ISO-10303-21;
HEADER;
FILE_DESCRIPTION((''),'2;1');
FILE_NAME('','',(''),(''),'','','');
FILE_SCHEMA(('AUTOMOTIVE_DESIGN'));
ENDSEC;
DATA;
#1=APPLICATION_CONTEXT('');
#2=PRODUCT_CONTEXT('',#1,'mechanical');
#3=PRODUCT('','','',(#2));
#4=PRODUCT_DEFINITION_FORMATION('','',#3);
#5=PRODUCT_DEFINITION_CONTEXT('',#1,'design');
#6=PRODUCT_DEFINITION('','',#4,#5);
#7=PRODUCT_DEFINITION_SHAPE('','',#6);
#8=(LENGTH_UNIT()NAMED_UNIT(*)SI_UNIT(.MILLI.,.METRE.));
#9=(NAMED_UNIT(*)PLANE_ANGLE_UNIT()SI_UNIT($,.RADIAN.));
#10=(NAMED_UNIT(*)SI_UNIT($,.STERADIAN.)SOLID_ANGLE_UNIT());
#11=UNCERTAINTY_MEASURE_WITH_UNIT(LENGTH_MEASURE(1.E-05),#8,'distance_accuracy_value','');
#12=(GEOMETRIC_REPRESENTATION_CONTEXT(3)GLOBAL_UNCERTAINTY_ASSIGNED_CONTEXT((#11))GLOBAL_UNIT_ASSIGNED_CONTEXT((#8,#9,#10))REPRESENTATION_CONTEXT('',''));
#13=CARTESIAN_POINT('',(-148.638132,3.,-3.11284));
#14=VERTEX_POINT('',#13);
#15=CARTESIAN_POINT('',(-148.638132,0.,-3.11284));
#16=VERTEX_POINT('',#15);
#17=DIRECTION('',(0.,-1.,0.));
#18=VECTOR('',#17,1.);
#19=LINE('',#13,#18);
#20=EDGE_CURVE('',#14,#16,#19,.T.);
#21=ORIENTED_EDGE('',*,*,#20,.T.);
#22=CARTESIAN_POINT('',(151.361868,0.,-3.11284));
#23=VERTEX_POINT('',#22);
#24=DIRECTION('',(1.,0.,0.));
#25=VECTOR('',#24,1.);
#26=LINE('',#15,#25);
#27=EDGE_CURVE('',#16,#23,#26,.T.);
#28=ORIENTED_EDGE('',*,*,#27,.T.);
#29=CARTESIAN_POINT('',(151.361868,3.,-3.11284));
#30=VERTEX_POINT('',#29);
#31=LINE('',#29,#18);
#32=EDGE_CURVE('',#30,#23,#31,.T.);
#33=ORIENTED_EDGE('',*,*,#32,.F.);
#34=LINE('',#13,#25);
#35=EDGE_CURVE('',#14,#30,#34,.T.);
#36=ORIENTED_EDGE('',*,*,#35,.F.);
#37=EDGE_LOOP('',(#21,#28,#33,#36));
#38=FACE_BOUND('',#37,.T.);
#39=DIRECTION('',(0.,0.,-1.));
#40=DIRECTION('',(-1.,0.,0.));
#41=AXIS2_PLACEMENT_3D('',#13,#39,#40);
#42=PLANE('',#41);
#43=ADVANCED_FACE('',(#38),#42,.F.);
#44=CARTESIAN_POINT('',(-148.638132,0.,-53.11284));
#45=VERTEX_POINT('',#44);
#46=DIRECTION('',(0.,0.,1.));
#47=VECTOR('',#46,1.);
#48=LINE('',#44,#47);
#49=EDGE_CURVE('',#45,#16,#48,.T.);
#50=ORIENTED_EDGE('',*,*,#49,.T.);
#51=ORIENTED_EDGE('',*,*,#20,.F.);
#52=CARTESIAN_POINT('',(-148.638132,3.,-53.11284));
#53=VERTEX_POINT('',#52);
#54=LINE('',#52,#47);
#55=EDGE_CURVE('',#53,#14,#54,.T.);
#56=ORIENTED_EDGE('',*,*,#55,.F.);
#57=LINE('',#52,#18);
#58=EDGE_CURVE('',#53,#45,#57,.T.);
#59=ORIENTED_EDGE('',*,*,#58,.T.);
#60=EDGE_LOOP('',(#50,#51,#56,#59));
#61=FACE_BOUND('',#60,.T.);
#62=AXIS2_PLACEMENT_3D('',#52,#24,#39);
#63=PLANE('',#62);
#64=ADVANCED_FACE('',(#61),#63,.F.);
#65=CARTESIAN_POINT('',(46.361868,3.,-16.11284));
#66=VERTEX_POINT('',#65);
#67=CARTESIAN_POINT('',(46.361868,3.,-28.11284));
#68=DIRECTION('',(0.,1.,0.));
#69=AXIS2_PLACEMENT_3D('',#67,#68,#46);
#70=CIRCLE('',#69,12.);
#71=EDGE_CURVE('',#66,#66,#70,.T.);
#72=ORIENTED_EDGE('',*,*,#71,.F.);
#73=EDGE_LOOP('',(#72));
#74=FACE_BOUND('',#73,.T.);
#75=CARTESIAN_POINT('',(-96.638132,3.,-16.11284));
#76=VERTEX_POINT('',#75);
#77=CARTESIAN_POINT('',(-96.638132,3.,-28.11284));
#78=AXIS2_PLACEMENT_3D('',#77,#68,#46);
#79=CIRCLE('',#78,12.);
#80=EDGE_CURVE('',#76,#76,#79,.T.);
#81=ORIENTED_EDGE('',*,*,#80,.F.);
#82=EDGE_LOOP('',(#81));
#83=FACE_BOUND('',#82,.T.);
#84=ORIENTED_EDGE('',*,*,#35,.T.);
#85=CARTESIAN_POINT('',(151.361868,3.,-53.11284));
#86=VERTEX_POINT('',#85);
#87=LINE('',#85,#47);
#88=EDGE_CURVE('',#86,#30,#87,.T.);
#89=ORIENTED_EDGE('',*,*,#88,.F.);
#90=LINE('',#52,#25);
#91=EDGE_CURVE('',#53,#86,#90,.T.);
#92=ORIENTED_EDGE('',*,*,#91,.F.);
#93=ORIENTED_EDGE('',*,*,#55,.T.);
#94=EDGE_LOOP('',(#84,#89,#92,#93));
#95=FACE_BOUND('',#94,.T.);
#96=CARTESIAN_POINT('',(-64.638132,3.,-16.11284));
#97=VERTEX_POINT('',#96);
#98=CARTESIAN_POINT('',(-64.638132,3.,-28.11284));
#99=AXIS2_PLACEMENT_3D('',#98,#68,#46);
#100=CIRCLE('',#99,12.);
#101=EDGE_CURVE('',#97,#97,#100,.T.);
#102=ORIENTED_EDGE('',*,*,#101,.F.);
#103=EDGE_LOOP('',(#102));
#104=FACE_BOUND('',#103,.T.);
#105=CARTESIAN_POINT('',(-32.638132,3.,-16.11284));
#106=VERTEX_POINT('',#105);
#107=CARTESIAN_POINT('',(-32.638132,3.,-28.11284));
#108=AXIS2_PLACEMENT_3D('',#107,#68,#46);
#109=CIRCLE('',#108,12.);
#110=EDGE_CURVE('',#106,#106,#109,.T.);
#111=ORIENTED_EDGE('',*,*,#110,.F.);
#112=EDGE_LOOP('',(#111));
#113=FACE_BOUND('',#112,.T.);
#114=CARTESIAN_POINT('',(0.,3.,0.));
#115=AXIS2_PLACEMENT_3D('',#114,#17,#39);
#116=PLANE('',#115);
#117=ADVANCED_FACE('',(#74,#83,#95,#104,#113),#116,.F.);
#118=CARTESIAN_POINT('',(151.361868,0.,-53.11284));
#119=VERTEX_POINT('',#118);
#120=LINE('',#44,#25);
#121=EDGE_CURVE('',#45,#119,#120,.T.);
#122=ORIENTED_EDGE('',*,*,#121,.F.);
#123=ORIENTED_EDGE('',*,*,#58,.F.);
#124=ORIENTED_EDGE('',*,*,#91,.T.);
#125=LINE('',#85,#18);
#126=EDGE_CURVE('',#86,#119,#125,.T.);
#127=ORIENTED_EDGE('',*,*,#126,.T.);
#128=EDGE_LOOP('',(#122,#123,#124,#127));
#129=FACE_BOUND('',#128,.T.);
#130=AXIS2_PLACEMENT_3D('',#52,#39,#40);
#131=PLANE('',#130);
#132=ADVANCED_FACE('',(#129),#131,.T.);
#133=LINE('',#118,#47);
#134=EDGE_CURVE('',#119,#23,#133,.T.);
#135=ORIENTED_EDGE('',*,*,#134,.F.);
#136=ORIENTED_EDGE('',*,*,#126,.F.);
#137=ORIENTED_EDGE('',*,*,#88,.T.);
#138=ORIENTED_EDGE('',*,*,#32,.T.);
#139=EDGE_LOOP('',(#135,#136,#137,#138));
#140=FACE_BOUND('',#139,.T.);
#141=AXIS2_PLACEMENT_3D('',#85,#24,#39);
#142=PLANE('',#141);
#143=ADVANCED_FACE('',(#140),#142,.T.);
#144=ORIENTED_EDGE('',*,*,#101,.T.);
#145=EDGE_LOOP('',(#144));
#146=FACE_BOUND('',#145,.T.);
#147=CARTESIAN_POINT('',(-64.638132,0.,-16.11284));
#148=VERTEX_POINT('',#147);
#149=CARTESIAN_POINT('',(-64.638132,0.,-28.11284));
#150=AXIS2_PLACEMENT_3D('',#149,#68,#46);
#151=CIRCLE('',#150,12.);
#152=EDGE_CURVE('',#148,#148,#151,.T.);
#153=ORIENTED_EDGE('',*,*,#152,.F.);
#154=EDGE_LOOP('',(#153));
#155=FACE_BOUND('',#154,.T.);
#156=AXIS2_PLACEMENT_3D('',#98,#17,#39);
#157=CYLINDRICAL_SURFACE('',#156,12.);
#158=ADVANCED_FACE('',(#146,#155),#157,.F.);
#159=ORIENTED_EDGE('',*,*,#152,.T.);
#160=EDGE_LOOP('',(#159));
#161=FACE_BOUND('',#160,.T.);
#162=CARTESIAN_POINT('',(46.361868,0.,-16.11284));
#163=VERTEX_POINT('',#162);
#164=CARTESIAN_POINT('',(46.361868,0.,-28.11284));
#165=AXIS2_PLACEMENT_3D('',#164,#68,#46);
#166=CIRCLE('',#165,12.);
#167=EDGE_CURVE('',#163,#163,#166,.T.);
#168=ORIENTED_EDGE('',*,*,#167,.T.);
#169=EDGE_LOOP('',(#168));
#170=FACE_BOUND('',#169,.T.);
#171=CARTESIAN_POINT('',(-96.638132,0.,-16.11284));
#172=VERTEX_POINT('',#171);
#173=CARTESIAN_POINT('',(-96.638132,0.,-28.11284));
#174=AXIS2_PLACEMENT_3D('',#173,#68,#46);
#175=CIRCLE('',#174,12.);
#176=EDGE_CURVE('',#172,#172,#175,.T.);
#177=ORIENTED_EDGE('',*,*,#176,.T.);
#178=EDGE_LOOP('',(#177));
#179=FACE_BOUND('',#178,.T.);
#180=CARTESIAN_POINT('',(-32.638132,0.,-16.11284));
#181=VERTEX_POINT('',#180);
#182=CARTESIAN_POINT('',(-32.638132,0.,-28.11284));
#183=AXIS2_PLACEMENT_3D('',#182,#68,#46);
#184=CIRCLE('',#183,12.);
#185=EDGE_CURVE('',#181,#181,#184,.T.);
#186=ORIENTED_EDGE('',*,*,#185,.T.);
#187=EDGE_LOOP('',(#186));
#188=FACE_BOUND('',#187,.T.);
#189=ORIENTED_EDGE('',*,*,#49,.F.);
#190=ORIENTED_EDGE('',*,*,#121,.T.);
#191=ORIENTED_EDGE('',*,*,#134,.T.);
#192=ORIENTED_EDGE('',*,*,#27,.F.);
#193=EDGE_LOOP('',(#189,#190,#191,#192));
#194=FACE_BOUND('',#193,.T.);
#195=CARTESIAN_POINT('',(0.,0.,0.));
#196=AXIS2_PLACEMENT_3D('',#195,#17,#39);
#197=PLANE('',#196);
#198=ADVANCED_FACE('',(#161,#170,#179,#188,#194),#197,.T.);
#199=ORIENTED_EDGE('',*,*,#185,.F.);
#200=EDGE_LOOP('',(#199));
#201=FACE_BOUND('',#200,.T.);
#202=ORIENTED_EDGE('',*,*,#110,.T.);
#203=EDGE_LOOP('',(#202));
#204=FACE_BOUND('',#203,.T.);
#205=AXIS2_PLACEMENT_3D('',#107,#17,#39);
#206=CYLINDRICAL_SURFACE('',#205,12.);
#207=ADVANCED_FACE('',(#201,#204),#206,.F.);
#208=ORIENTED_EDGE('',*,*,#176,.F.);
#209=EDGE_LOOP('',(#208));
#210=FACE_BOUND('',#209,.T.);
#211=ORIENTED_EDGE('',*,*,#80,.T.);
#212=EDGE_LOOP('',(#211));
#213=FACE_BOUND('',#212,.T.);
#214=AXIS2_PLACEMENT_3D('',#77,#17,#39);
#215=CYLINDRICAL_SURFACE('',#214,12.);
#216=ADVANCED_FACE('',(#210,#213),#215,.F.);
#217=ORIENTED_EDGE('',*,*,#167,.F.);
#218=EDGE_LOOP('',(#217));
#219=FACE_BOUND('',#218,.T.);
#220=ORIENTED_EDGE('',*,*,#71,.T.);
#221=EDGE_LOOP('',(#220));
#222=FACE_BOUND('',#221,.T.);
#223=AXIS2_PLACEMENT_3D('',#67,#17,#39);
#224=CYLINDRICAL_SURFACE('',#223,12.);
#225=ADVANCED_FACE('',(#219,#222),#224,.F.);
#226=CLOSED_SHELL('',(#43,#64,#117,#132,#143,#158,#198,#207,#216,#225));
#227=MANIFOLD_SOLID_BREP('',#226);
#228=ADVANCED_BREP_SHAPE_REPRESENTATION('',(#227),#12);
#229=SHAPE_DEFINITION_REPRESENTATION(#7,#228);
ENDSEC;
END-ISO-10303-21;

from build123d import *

# Parameters (mm, degrees)
SKETCH1_W           = 300
SKETCH1_H           = 50
SKETCH1_R           = 12
BOSS_EXTRUDE1_DEPTH = 3


with BuildPart() as part:
    # Sketch1 → Boss-Extrude1 (new body)
    with BuildSketch(Plane(origin=(0, 0, 0), x_dir=(1, 0, 0), z_dir=(0, 1, 0))):
        with Locations((1.361867704, 28.112840467)):
            Rectangle(SKETCH1_W, SKETCH1_H)
        with Locations(Location((-96.638132296, 28.112840467, 0), (0, 0, 270))):
            Circle(SKETCH1_R, mode=Mode.SUBTRACT)
        with Locations(Location((-64.638132296, 28.112840467, 0), (0, 0, 270))):
            Circle(SKETCH1_R, mode=Mode.SUBTRACT)
        with Locations(Location((-32.638132296, 28.112840467, 0), (0, 0, 270))):
            Circle(SKETCH1_R, mode=Mode.SUBTRACT)
        with Locations(Location((46.361867704, 28.112840467, 0), (0, 0, 270))):
            Circle(SKETCH1_R, mode=Mode.SUBTRACT)
    extrude(amount=BOSS_EXTRUDE1_DEPTH)


solid = part.part
